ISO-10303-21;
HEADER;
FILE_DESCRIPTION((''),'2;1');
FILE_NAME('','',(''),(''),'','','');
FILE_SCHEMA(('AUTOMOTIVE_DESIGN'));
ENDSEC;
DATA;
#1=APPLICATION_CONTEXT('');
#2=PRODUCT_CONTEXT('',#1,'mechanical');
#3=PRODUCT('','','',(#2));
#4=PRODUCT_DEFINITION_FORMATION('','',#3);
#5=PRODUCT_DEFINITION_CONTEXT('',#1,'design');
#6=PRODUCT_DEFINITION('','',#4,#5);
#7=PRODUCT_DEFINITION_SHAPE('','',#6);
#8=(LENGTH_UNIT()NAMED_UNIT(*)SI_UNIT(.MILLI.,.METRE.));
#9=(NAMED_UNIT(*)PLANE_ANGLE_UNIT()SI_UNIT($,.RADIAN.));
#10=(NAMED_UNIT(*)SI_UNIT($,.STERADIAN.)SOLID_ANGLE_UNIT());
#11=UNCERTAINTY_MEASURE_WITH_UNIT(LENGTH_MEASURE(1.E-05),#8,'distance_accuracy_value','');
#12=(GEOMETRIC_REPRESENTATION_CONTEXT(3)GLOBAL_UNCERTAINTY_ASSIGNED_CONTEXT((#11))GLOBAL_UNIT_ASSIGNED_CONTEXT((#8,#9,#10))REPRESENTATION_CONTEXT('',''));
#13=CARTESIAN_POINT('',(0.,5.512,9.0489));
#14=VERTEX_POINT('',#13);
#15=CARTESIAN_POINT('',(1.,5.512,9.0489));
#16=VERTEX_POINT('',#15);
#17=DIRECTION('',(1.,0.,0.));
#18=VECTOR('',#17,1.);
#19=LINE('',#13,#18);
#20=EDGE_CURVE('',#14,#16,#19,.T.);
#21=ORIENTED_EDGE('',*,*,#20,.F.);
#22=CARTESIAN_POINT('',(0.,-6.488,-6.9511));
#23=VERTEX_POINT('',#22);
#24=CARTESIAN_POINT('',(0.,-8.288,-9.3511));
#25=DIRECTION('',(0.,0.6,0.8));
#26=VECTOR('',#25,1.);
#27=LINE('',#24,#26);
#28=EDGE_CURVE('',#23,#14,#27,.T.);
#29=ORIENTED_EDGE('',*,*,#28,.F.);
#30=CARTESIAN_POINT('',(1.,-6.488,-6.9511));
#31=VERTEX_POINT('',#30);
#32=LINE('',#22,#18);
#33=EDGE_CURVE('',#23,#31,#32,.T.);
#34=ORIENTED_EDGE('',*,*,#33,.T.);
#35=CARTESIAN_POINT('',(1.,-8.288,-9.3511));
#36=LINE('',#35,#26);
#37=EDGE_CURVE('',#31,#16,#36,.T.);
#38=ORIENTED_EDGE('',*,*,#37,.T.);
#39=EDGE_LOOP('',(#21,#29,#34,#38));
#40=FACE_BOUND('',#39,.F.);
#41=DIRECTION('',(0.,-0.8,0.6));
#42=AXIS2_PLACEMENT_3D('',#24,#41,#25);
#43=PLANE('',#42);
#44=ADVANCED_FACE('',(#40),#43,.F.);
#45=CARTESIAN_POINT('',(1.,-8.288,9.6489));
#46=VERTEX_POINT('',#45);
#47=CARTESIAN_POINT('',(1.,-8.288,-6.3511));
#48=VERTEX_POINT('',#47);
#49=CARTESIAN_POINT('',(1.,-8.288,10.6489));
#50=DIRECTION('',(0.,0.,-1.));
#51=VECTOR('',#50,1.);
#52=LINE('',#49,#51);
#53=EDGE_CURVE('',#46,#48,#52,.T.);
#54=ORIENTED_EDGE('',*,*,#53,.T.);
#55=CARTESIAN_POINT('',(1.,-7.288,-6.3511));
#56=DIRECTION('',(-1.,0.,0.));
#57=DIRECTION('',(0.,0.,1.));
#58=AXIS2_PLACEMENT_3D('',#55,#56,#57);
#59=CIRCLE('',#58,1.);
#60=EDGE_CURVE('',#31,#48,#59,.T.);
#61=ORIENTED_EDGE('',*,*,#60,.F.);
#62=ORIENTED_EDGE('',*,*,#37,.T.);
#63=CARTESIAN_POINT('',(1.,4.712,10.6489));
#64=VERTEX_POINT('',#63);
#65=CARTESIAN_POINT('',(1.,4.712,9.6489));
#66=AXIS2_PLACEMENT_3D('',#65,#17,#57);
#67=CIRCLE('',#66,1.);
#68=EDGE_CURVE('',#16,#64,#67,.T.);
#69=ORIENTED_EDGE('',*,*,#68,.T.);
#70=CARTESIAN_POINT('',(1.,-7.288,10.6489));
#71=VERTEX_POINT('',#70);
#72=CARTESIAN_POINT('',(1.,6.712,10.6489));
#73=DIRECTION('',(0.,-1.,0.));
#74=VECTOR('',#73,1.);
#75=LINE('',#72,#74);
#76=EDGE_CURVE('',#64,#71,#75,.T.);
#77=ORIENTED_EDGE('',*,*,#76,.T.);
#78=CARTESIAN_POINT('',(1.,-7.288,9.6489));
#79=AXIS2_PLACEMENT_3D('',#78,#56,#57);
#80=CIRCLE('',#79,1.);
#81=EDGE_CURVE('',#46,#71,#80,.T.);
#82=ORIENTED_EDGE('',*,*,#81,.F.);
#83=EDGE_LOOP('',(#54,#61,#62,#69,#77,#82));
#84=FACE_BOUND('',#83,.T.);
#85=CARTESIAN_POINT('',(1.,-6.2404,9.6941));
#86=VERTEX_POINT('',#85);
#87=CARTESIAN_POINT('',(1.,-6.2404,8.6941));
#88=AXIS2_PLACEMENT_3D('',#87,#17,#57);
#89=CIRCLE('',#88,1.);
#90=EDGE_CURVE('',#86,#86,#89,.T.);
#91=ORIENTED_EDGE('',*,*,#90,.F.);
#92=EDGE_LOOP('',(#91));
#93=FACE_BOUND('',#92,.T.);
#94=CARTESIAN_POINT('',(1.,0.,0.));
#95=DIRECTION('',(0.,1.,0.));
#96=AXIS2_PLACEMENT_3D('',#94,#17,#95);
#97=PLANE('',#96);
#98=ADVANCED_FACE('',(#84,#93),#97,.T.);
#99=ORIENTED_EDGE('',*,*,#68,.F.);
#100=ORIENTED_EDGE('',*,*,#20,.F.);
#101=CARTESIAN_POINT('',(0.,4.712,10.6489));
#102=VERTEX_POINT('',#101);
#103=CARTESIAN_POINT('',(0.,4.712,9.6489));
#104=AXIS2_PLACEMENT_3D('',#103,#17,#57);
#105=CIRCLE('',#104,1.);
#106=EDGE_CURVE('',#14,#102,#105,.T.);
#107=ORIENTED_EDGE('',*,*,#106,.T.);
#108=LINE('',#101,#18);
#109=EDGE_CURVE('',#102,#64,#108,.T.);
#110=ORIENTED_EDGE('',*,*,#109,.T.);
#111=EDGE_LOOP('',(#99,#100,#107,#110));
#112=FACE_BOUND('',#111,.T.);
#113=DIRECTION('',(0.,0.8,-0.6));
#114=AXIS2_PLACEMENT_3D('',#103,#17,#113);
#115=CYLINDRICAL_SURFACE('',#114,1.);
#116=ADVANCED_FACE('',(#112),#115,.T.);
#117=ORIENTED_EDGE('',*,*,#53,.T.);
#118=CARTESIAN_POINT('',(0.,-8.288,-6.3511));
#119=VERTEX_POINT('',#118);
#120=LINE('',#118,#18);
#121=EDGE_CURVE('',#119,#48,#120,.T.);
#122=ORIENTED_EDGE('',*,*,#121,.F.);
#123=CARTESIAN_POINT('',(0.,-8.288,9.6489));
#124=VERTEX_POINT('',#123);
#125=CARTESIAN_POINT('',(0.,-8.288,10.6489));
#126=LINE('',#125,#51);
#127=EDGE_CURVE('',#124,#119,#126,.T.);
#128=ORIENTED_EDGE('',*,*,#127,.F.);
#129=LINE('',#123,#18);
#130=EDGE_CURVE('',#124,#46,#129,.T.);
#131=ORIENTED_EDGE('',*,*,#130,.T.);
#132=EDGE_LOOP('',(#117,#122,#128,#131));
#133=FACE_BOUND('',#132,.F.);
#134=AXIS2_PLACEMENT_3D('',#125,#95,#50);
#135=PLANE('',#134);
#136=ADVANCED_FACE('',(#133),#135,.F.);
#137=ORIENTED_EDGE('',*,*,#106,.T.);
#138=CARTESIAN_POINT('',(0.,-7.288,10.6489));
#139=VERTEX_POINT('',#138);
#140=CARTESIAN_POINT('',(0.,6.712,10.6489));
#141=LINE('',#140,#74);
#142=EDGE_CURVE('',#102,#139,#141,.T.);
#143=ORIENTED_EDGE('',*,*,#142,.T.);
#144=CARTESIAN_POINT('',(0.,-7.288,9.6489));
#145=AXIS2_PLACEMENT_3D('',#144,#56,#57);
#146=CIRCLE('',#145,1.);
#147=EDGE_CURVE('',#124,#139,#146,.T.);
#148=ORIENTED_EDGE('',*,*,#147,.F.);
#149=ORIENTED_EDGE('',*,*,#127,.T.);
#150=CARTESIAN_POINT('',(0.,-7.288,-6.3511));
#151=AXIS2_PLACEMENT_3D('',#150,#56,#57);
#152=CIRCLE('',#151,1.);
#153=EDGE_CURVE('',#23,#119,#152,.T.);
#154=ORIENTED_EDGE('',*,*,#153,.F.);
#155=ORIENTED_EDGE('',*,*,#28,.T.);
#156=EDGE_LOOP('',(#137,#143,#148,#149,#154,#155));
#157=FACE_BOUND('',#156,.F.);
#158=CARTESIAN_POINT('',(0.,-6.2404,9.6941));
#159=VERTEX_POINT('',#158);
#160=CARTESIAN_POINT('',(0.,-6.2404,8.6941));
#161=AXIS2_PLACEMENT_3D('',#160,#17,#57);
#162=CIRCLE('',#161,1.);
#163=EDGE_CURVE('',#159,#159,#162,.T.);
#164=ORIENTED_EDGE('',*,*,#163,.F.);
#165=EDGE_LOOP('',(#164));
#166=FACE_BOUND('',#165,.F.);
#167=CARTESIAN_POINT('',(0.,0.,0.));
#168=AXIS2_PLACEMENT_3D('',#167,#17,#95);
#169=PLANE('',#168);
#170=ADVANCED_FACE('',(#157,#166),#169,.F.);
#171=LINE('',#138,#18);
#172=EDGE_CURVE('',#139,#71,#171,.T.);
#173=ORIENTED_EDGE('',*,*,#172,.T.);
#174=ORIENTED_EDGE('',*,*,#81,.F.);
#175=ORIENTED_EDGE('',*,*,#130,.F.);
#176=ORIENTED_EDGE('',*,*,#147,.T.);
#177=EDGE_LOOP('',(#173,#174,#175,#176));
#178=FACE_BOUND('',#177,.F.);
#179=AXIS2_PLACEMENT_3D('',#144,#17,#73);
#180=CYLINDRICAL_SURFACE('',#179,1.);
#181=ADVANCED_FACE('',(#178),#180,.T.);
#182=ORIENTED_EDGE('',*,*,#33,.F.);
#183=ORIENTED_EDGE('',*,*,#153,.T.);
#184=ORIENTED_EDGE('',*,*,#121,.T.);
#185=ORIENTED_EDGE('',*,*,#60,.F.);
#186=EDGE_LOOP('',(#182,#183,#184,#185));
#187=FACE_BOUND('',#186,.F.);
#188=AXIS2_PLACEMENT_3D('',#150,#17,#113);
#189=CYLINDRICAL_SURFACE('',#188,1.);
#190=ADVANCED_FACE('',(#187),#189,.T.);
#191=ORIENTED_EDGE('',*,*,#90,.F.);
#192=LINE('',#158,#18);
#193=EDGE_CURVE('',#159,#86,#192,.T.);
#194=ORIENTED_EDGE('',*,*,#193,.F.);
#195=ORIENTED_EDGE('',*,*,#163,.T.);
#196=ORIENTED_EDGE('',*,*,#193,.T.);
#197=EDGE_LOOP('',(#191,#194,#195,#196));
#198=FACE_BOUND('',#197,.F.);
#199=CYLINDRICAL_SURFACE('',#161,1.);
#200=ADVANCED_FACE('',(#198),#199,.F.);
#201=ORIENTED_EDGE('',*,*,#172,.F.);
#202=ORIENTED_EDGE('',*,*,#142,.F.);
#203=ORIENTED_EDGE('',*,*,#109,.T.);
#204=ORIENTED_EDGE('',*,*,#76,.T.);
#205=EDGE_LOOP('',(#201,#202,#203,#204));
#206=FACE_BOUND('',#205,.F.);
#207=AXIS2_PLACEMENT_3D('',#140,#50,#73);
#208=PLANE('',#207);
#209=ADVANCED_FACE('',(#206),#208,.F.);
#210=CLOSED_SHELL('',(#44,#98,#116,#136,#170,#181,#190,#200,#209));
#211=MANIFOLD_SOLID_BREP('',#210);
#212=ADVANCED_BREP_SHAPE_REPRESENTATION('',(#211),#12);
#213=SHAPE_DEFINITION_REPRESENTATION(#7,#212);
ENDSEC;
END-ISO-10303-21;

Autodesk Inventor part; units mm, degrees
ref_plane "YZ Plane" through (0, 0, 0) normal (1, 0, 0) x (0, 1, 0)
ref_plane "XZ Plane" through (0, 0, 0) normal (0, 1, 0) x (-1, 0, 0)
ref_plane "XY Plane" through (0, 0, 0) normal (0, 0, 1) x (1, 0, 0)
sketch "Sketch1" plane through (0, 0, 0) normal (1, 0, 0) x (0, 1, 0)
  line L0 (6.712, 10.6489) -> (-8.288, 10.6489)
  line L1 (-8.288, 10.6489) -> (-8.288, -9.3511)
  line L2 (-8.288, -9.3511) -> (6.712, 10.6489)
  point P0 (0, 0)
  dimension "d0" = 20
  dimension "d1" = 15
extrude "Extrusion1" add sketch "Sketch1" along normal blind 1
fillet "Fillet1" radius 1 3 edges at (0.5, 6.712, 10.6489) (0.5, -8.288, 10.6489) (0.5, -8.288, -9.3511)
sketch "Sketch2" plane through (0, 0, 0) normal (-1, 0, 0) x (0, 0, 1)
  point P0 (0, 0)
  point P1 (8.6941, -6.2404)
hole "Hole1" at (0, -6.2404, 8.6941) direction (1, 0, 0) diameter 2 end through all
properties part number "wing_horn"
